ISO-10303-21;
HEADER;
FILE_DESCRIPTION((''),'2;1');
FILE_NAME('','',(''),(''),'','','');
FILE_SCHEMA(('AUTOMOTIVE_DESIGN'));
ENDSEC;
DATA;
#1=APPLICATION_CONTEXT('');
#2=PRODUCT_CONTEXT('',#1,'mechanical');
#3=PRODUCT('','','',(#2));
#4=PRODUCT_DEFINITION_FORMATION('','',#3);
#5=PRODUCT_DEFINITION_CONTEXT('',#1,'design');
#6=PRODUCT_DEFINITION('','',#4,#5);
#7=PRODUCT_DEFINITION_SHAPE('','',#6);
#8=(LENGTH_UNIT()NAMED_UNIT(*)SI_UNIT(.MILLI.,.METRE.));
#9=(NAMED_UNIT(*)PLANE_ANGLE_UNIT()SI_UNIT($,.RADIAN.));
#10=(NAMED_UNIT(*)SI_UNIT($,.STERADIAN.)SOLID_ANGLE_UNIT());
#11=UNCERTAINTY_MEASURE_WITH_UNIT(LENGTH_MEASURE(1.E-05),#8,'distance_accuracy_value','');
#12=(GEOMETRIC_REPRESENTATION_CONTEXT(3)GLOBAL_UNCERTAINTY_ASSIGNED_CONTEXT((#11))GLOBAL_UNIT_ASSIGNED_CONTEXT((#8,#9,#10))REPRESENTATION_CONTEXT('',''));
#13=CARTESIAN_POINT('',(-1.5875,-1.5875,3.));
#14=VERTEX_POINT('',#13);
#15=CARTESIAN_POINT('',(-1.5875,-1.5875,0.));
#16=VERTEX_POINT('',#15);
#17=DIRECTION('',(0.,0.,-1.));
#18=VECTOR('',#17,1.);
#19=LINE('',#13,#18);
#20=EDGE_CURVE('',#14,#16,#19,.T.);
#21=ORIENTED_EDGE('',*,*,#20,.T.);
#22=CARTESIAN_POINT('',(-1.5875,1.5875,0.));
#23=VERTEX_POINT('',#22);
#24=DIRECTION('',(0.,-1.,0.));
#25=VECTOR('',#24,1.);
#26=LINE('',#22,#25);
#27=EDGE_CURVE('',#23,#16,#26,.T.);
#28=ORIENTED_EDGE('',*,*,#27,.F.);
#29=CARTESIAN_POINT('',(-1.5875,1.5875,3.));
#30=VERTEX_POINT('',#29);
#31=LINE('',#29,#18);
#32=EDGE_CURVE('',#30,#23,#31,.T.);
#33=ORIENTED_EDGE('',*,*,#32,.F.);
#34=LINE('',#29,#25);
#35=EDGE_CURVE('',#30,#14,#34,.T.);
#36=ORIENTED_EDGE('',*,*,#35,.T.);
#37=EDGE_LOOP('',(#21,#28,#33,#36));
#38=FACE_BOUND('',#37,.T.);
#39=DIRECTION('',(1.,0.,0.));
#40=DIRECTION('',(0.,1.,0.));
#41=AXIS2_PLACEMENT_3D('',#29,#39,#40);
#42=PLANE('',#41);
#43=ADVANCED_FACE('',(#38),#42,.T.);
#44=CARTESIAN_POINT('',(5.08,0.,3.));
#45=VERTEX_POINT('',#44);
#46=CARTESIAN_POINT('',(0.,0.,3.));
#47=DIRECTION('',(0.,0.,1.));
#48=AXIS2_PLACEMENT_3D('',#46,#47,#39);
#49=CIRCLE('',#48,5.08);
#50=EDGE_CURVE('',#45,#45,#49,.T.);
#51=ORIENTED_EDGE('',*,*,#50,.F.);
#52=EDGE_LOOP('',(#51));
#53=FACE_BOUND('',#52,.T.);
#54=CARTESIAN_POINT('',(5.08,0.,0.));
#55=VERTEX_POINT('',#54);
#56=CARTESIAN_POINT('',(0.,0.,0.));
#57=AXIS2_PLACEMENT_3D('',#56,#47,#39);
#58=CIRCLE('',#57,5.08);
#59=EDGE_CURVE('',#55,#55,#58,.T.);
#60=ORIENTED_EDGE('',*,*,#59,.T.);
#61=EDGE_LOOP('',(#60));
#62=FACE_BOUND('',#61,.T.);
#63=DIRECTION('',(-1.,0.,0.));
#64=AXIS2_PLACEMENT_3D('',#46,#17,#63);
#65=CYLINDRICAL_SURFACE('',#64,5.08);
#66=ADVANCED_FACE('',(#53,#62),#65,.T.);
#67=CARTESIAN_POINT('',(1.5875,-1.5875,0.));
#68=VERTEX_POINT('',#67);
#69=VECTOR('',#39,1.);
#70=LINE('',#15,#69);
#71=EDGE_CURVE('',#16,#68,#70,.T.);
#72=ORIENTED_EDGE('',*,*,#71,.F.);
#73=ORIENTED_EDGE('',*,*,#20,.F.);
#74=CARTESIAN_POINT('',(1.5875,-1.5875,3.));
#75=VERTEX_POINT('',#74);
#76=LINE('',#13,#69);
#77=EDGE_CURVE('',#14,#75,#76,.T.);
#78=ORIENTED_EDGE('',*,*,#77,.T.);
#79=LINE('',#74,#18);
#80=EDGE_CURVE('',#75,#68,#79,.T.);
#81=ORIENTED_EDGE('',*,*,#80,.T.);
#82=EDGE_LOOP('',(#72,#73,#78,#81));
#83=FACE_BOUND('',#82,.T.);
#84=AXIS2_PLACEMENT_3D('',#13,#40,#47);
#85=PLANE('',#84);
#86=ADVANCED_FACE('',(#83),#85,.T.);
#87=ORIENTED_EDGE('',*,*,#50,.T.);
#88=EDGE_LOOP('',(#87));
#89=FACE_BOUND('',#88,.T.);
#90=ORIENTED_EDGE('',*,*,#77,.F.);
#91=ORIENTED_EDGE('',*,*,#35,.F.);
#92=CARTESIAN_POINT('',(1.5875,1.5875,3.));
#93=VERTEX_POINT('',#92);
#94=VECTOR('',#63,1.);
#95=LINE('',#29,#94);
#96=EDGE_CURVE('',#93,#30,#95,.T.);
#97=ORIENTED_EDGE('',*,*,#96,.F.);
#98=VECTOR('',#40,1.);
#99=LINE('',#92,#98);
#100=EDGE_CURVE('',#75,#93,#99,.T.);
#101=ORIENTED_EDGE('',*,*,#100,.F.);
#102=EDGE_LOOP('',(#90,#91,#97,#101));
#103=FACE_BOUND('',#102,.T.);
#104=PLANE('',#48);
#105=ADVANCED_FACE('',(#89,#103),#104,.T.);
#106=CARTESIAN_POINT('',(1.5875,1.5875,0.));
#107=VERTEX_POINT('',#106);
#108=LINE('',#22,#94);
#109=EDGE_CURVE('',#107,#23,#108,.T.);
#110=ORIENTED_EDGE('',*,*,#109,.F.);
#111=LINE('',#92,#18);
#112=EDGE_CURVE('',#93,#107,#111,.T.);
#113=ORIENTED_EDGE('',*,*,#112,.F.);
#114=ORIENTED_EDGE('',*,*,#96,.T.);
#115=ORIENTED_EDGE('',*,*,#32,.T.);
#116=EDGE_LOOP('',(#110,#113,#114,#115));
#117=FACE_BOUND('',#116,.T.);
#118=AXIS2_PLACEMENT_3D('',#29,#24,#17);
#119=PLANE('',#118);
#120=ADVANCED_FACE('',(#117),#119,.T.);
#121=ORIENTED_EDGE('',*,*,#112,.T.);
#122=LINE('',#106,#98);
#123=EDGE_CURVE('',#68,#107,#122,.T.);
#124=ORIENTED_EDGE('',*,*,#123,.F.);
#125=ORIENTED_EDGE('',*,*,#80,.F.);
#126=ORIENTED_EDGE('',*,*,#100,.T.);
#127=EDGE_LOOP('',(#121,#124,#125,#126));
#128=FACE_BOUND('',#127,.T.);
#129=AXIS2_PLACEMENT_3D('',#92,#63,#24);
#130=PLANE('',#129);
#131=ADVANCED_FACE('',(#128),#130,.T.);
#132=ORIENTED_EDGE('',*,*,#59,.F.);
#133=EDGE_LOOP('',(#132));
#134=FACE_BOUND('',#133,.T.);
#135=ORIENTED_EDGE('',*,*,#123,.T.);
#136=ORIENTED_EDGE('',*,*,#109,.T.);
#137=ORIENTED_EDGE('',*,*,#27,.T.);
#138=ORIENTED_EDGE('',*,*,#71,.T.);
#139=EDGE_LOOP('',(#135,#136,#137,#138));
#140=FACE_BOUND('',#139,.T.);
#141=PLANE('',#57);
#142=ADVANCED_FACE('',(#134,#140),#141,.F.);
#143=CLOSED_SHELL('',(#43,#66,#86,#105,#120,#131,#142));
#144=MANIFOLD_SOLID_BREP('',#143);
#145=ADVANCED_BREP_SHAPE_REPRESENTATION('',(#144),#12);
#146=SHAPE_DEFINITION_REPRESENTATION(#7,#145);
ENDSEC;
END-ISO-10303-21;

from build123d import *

# Parameters (mm, degrees)
SKETCH1_R           = 5.08
SKETCH1_W           = 3.175
SKETCH1_H           = 3.175
BOSS_EXTRUDE1_DEPTH = 3


with BuildPart() as part:
    # Sketch1 → Boss-Extrude1 (new body)
    with BuildSketch(Plane.XY):
        Circle(SKETCH1_R)
        Rectangle(SKETCH1_W, SKETCH1_H, mode=Mode.SUBTRACT)
    extrude(amount=BOSS_EXTRUDE1_DEPTH)


solid = part.part
